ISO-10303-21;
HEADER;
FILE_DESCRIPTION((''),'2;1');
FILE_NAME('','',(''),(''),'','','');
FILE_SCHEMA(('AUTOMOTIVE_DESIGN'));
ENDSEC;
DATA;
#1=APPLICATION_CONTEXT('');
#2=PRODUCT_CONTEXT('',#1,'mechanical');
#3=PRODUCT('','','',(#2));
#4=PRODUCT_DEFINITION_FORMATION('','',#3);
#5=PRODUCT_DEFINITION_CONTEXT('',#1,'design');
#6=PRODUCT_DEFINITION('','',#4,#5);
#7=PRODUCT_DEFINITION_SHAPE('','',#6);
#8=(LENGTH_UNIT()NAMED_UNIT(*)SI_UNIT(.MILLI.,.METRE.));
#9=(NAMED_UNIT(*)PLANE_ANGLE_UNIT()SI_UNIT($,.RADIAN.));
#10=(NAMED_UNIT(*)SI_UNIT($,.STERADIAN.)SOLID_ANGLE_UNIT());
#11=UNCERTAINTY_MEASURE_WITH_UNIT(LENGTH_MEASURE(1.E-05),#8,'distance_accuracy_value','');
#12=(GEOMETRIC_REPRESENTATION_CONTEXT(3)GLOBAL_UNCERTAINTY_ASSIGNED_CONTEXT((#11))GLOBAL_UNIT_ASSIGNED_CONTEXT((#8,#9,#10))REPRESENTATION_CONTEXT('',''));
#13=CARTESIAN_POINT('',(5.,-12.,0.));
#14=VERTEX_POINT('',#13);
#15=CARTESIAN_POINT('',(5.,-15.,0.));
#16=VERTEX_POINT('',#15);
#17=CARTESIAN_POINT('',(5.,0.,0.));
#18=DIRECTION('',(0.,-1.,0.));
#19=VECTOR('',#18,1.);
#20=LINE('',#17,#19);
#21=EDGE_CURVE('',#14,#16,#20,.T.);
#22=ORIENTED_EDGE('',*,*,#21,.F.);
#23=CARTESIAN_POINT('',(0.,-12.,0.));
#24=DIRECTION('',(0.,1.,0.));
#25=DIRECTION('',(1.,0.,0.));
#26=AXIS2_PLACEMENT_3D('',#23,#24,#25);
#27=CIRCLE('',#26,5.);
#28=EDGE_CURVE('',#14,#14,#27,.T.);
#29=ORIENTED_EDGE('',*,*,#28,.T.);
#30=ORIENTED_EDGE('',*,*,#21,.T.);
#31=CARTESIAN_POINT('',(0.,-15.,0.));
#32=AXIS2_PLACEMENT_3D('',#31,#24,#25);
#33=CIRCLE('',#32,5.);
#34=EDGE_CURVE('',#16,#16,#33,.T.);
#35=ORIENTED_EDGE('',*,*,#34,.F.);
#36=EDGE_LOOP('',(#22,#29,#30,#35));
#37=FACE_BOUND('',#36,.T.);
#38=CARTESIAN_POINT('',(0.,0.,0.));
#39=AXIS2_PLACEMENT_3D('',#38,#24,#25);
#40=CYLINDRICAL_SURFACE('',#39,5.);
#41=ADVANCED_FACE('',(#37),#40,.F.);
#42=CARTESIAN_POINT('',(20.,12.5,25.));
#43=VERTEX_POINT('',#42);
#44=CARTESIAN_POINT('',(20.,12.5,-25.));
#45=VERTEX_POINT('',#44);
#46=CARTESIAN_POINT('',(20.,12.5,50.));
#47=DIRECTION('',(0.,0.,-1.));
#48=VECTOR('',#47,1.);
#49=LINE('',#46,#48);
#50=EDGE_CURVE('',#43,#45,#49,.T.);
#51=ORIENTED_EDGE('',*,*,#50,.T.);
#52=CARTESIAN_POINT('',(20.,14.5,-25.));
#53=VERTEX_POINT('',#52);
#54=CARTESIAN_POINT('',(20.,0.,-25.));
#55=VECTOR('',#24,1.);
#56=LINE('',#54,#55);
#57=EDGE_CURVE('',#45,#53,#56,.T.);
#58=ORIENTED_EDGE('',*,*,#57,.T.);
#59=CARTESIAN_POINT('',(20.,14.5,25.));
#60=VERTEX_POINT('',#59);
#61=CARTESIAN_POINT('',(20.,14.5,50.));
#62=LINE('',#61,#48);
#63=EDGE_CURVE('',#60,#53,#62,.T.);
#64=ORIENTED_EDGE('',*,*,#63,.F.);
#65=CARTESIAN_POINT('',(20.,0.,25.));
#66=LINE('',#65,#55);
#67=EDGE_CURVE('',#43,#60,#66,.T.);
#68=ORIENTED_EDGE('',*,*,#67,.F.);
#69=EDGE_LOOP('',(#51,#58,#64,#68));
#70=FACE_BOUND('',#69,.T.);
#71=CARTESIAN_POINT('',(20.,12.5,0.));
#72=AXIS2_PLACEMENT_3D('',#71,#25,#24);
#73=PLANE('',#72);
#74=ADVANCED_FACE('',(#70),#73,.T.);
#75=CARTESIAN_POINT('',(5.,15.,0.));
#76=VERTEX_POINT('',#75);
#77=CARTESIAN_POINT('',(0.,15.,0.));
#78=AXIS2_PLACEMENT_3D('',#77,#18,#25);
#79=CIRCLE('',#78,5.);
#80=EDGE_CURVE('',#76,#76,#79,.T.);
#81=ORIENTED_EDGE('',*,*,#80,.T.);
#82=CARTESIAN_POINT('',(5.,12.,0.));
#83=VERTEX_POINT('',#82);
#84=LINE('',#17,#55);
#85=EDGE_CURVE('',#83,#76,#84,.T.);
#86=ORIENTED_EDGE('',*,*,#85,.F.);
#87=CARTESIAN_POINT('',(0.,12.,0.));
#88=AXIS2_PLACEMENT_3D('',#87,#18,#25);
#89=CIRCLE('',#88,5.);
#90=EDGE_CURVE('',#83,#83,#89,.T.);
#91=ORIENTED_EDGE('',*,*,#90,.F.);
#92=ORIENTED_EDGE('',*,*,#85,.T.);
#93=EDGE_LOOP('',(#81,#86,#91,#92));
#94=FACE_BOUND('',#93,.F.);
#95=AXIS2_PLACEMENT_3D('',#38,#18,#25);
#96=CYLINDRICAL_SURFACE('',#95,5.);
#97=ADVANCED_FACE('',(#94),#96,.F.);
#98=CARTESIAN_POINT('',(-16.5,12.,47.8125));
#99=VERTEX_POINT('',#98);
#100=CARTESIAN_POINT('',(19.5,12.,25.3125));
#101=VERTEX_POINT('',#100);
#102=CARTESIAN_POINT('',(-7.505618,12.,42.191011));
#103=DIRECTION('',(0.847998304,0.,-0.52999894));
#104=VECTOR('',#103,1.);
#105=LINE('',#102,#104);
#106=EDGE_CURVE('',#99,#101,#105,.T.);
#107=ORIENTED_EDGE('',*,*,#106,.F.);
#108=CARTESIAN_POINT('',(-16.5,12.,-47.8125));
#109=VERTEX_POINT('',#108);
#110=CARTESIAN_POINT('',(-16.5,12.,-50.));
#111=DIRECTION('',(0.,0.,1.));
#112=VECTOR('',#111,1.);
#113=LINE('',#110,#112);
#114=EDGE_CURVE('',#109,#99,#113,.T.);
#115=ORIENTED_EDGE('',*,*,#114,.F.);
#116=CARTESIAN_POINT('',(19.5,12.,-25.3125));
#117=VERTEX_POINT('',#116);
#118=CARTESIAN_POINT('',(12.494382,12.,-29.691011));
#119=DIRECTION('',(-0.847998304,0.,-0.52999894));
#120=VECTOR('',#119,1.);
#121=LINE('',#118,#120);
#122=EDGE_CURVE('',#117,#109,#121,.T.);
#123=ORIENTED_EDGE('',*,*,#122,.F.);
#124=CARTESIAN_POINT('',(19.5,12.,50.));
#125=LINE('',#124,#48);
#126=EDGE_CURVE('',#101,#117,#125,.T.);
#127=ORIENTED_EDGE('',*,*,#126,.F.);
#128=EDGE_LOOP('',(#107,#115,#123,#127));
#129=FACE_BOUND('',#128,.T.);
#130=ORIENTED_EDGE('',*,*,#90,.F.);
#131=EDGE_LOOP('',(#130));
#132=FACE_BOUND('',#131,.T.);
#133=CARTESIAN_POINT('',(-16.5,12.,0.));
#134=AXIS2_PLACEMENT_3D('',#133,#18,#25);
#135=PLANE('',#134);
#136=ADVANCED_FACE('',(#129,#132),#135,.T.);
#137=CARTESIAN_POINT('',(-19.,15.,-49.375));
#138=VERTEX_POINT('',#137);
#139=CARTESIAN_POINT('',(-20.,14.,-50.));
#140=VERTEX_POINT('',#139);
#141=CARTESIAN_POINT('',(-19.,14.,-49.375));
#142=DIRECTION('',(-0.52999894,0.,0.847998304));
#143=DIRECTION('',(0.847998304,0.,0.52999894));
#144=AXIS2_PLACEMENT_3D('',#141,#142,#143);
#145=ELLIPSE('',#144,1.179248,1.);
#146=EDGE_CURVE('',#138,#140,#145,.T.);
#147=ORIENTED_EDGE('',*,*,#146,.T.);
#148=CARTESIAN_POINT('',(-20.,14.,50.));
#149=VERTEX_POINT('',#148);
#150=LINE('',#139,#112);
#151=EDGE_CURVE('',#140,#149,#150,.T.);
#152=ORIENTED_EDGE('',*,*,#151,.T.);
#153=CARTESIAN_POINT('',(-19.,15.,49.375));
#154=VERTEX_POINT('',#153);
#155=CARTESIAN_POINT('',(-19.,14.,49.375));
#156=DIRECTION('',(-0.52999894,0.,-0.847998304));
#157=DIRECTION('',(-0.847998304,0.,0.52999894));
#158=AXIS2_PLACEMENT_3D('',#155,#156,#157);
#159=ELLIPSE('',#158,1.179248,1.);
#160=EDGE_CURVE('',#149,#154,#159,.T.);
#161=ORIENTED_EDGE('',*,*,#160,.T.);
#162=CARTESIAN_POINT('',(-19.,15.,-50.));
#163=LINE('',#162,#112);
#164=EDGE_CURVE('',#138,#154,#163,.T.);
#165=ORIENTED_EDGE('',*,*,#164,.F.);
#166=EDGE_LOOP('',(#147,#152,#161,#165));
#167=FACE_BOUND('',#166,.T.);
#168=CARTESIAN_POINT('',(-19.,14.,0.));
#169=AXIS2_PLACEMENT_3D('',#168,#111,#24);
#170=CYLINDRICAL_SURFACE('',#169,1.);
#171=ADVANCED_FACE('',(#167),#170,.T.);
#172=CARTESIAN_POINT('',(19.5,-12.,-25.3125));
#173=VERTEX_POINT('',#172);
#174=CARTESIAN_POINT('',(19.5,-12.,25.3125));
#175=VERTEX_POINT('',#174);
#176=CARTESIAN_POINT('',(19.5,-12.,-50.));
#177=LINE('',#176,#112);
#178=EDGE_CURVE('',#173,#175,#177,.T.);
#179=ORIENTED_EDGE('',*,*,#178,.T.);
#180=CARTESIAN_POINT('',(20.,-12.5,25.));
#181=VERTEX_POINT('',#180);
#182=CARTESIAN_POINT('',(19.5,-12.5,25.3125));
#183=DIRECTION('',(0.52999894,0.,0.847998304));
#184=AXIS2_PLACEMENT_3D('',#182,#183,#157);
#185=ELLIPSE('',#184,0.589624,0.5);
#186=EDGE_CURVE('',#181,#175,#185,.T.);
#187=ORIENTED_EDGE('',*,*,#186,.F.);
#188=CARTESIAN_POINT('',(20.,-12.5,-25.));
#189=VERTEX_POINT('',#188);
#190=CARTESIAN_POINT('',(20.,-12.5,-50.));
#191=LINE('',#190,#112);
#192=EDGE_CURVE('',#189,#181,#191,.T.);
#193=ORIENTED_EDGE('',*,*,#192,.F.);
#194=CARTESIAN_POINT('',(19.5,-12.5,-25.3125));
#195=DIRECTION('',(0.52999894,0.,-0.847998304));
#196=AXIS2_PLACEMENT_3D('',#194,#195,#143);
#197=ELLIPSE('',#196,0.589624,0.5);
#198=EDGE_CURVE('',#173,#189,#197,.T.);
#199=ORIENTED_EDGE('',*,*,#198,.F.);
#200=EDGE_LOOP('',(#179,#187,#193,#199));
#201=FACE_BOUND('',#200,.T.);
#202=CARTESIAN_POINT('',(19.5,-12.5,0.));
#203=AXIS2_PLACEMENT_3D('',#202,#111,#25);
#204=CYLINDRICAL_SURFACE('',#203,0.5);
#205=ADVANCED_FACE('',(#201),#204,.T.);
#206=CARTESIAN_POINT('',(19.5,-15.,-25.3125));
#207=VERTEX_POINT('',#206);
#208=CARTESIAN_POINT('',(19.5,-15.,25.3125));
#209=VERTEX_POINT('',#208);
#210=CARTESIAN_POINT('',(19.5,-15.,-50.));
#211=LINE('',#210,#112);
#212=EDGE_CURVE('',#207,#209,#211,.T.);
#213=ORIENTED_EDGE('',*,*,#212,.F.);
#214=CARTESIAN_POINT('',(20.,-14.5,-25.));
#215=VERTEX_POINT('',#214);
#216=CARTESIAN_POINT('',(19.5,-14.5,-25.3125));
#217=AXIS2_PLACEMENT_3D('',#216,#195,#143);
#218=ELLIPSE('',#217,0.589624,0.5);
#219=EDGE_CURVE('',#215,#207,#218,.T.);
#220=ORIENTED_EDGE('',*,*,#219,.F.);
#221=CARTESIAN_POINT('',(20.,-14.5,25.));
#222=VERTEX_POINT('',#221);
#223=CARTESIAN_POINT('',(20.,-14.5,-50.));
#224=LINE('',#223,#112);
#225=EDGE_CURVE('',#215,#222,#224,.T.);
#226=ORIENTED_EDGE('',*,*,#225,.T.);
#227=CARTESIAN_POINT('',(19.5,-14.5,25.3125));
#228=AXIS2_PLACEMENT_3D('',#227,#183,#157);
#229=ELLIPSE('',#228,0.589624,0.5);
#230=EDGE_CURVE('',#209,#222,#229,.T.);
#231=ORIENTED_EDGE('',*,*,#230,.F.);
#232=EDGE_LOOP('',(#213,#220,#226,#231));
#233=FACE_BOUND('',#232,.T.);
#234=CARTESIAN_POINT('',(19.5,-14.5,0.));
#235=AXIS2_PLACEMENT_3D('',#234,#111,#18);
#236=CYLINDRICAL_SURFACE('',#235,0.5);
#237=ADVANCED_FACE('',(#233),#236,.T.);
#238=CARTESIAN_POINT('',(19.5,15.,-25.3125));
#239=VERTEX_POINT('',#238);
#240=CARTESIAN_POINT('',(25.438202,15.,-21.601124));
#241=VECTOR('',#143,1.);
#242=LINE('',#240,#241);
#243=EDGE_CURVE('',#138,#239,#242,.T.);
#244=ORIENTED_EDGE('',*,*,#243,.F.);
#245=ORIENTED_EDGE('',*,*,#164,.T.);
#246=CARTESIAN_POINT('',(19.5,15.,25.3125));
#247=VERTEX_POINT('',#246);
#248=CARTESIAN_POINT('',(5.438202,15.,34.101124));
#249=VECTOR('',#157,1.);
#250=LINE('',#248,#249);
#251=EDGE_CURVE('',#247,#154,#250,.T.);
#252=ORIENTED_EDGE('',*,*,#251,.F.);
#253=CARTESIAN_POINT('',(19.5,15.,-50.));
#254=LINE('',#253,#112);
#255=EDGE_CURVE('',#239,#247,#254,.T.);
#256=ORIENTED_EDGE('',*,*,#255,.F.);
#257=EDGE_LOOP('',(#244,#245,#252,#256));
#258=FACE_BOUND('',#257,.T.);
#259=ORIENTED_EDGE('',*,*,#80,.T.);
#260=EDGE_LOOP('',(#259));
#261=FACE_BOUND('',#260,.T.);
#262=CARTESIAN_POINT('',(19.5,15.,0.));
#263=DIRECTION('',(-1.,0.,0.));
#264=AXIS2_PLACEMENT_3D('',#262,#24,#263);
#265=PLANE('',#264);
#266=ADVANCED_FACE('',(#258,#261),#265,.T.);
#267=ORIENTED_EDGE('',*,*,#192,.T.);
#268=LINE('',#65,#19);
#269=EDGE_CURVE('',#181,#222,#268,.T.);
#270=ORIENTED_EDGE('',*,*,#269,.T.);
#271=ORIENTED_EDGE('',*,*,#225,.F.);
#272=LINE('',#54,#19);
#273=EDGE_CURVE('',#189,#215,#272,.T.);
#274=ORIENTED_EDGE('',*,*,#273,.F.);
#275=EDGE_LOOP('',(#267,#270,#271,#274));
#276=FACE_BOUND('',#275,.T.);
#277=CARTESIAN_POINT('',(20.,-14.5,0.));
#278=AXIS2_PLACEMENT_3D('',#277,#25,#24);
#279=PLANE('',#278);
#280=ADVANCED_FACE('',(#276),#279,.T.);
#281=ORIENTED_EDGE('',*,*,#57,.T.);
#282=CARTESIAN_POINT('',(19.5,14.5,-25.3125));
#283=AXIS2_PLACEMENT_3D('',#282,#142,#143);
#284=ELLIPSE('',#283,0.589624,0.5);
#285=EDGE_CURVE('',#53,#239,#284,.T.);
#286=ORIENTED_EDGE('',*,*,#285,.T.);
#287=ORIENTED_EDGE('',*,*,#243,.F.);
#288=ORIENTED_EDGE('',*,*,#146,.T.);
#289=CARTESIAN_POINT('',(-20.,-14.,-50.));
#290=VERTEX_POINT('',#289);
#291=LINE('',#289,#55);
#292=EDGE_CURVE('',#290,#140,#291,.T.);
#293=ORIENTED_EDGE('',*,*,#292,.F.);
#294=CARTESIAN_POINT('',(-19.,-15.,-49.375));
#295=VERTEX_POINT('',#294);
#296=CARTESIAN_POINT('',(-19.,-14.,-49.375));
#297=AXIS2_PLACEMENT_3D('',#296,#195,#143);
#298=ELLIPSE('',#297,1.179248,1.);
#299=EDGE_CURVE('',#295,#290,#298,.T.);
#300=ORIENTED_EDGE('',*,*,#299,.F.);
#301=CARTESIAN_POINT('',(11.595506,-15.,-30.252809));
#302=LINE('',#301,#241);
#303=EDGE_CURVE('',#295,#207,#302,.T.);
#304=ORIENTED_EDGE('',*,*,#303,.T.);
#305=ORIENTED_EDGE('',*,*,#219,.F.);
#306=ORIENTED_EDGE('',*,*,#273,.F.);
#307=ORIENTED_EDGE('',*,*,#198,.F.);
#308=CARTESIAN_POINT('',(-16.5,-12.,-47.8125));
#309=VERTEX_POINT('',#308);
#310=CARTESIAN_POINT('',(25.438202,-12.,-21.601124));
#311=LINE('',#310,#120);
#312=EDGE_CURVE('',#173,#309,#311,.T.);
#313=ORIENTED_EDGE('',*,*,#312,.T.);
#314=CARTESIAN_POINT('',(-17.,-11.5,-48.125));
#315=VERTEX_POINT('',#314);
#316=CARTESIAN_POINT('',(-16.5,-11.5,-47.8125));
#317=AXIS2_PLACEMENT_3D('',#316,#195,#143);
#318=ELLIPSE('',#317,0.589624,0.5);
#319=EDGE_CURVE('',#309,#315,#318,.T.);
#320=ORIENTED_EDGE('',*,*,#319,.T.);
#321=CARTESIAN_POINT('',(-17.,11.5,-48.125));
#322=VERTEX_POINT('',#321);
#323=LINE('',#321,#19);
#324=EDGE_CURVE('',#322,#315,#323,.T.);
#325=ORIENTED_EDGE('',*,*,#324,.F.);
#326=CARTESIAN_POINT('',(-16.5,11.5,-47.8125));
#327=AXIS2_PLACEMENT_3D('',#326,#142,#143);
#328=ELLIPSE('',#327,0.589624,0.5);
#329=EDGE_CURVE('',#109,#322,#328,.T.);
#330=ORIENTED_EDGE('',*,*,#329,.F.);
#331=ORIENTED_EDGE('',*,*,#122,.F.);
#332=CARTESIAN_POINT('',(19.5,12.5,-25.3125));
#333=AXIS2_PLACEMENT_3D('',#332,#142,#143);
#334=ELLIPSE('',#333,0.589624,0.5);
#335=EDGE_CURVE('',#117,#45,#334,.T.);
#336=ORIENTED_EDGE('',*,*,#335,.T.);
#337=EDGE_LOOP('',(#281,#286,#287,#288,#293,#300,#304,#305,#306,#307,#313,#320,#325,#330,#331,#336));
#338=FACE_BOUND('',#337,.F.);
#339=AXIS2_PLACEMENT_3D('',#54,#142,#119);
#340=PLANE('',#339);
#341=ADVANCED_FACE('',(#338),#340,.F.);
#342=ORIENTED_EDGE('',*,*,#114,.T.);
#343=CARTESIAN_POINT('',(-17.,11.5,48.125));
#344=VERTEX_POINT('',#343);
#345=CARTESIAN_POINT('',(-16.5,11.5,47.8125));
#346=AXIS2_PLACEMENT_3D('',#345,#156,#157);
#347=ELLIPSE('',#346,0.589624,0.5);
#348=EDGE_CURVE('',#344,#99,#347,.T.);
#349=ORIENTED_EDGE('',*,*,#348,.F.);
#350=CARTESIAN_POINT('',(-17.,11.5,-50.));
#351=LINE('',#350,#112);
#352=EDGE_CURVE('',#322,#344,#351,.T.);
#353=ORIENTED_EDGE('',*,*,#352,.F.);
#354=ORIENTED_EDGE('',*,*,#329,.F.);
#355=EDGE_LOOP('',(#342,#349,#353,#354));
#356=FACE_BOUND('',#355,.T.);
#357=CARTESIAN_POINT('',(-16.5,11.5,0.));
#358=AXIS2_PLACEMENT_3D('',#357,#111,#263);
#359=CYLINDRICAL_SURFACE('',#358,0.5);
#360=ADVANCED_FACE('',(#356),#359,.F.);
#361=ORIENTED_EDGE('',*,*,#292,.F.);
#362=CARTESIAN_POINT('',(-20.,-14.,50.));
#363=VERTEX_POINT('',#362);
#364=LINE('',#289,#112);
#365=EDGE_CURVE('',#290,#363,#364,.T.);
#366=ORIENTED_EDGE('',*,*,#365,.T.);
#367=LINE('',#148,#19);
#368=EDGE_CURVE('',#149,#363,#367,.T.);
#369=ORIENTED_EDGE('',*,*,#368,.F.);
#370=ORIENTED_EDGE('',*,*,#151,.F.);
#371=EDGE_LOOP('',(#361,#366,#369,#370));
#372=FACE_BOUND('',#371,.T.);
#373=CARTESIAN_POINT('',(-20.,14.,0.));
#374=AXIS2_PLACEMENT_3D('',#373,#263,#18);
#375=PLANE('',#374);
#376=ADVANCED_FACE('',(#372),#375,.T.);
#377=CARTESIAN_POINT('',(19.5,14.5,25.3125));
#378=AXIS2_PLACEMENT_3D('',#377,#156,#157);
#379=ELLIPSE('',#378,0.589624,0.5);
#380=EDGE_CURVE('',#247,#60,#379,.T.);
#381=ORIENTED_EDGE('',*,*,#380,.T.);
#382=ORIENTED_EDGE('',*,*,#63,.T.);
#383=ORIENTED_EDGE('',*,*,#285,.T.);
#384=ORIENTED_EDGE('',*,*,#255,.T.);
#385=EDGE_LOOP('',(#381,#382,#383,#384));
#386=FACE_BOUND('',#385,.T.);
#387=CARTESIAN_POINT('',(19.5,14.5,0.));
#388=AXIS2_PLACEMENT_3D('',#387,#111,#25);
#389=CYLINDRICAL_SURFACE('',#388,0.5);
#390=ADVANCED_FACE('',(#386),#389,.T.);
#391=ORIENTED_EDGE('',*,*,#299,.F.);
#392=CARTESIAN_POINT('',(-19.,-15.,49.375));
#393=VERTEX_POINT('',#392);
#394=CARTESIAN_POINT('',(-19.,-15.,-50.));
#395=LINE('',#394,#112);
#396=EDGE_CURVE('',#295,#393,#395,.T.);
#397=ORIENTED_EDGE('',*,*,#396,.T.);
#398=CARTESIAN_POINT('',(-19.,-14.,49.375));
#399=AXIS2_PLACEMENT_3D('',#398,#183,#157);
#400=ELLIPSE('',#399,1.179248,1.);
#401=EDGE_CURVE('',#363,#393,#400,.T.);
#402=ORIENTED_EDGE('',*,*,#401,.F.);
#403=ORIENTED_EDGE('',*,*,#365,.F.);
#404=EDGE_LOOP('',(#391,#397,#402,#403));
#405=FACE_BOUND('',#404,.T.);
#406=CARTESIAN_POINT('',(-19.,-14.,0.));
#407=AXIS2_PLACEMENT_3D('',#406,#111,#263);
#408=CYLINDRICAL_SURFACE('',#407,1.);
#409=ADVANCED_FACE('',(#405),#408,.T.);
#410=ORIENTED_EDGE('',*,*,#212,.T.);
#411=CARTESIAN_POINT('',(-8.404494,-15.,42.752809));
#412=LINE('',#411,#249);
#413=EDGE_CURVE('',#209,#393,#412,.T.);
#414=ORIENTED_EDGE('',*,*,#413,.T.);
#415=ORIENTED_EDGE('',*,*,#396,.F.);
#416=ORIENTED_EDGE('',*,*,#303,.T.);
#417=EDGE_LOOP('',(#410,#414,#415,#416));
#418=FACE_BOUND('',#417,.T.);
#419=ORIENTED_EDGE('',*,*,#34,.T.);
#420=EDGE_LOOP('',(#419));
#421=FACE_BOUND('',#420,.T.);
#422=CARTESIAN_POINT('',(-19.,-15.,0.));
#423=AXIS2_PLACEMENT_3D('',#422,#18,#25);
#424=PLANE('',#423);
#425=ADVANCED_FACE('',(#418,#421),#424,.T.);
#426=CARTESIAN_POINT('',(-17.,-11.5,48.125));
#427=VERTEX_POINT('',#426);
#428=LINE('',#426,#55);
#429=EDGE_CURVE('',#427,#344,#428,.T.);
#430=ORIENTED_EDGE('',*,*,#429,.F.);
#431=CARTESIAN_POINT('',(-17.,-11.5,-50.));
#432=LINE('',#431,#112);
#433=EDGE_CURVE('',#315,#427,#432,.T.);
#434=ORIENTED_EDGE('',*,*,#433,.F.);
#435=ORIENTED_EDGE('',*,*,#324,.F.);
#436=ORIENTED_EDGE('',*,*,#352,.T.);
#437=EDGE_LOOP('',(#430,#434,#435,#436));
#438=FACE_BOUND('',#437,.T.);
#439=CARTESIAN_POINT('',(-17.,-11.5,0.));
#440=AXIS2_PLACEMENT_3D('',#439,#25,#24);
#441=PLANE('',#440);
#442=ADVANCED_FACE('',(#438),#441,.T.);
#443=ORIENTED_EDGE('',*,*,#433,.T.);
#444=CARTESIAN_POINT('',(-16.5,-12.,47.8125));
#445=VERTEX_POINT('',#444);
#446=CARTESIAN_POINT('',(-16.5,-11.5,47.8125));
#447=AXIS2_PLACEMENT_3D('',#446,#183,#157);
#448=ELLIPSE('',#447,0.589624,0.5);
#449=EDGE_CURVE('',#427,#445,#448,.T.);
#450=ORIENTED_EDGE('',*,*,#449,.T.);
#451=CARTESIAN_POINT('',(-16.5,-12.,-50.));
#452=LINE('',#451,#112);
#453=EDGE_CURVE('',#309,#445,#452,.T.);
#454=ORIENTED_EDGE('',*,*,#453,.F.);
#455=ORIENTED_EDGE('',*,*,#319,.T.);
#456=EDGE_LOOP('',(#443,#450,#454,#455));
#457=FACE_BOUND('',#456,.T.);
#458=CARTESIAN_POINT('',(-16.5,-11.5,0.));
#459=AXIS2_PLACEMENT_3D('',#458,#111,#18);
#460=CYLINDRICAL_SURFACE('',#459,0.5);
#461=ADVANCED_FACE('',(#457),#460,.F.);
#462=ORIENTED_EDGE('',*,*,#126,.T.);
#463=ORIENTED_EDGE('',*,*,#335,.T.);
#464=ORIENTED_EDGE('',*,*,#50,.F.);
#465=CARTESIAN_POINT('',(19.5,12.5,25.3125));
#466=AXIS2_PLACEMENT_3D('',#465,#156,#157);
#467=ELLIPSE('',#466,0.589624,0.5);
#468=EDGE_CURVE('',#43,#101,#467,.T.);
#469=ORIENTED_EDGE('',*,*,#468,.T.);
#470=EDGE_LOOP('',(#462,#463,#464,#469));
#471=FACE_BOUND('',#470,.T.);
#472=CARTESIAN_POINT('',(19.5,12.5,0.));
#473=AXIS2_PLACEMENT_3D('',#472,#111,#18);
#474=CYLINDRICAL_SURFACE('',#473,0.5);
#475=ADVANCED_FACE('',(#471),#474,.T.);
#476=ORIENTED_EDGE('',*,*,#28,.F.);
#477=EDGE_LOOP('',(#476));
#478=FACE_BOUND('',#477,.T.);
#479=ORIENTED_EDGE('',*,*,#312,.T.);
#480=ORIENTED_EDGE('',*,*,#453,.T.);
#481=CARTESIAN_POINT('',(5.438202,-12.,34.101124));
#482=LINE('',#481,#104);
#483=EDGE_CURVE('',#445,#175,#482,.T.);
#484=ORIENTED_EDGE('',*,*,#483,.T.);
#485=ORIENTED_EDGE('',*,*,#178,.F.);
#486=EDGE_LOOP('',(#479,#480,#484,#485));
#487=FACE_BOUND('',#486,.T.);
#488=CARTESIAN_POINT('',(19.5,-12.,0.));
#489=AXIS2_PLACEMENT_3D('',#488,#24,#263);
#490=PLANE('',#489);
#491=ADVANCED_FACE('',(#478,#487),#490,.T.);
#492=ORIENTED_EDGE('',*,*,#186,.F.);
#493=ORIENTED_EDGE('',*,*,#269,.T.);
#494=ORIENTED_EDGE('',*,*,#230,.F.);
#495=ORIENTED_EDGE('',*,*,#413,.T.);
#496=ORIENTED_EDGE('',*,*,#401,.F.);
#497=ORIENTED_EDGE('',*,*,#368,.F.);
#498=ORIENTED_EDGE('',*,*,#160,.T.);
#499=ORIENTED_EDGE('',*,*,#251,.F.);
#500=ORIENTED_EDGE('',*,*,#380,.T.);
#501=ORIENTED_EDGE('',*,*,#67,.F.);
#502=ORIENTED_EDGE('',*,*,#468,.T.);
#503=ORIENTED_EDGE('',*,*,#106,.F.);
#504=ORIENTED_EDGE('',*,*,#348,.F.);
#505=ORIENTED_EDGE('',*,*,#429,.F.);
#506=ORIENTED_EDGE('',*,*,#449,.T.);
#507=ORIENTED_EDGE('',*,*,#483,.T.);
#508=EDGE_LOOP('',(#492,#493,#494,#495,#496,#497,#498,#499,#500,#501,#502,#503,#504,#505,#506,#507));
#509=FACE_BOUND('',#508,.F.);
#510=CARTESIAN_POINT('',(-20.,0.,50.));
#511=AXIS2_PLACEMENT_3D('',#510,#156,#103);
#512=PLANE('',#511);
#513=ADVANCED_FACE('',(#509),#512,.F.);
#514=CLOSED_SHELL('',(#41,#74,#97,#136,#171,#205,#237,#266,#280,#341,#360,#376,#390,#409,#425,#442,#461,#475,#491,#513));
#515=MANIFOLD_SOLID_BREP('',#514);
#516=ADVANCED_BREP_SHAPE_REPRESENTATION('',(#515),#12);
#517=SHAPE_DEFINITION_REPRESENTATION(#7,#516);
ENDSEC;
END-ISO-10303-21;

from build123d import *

# Parameters (mm, degrees)
F1_DEPTH      = 50
F1_DEPTH_BACK = 50
F2_R          = 5
F3_DEPTH      = 25
F3_DEPTH_BACK = 25


with BuildPart() as f1:
    # F0 (on Top) → F1 (new body, two sides)
    with BuildSketch(Plane.XY) as f1_sk:
        with BuildLine():
            ThreePointArc((20, 14.5), (19.8535533906, 14.8535533906), (19.5, 15))
            Line((19.5, 15), (-19, 15))
            ThreePointArc((-19, 15), (-19.7071067812, 14.7071067812), (-20, 14))
            Line((-20, 14), (-20, -14))
            ThreePointArc((-20, -14), (-19.7071067812, -14.7071067812), (-19, -15))
            Line((-19, -15), (19.5, -15))
            ThreePointArc((19.5, -15), (19.8535533906, -14.8535533906), (20, -14.5))
            Line((20, -14.5), (20, -12.5))
            ThreePointArc((20, -12.5), (19.8535533906, -12.1464466094), (19.5, -12))
            Line((19.5, -12), (-16.5, -12))
            ThreePointArc((-16.5, -12), (-16.8535533906, -11.8535533906), (-17, -11.5))
            Line((-17, -11.5), (-17, 11.5))
            ThreePointArc((-17, 11.5), (-16.8535533906, 11.8535533906), (-16.5, 12))
            Line((-16.5, 12), (19.5, 12))
            ThreePointArc((19.5, 12), (19.8535533906, 12.1464466094), (20, 12.5))
            Line((20, 12.5), (20, 14.5))
        make_face()
    extrude(amount=F1_DEPTH)
    extrude(f1_sk.sketch, amount=-F1_DEPTH_BACK)

    # F2 (on Front) → F3 (cut, two sides)
    with BuildSketch(Plane.XZ) as f3_sk:
        Polygon((20, 50), (-20, 50), (20, 25), align=None)
        Polygon((20, -25), (-20, -50), (20, -50), align=None)
        Circle(F2_R)
    extrude(amount=-F3_DEPTH, mode=Mode.SUBTRACT)
    extrude(f3_sk.sketch, amount=F3_DEPTH_BACK, mode=Mode.SUBTRACT)


solid = f1.part
